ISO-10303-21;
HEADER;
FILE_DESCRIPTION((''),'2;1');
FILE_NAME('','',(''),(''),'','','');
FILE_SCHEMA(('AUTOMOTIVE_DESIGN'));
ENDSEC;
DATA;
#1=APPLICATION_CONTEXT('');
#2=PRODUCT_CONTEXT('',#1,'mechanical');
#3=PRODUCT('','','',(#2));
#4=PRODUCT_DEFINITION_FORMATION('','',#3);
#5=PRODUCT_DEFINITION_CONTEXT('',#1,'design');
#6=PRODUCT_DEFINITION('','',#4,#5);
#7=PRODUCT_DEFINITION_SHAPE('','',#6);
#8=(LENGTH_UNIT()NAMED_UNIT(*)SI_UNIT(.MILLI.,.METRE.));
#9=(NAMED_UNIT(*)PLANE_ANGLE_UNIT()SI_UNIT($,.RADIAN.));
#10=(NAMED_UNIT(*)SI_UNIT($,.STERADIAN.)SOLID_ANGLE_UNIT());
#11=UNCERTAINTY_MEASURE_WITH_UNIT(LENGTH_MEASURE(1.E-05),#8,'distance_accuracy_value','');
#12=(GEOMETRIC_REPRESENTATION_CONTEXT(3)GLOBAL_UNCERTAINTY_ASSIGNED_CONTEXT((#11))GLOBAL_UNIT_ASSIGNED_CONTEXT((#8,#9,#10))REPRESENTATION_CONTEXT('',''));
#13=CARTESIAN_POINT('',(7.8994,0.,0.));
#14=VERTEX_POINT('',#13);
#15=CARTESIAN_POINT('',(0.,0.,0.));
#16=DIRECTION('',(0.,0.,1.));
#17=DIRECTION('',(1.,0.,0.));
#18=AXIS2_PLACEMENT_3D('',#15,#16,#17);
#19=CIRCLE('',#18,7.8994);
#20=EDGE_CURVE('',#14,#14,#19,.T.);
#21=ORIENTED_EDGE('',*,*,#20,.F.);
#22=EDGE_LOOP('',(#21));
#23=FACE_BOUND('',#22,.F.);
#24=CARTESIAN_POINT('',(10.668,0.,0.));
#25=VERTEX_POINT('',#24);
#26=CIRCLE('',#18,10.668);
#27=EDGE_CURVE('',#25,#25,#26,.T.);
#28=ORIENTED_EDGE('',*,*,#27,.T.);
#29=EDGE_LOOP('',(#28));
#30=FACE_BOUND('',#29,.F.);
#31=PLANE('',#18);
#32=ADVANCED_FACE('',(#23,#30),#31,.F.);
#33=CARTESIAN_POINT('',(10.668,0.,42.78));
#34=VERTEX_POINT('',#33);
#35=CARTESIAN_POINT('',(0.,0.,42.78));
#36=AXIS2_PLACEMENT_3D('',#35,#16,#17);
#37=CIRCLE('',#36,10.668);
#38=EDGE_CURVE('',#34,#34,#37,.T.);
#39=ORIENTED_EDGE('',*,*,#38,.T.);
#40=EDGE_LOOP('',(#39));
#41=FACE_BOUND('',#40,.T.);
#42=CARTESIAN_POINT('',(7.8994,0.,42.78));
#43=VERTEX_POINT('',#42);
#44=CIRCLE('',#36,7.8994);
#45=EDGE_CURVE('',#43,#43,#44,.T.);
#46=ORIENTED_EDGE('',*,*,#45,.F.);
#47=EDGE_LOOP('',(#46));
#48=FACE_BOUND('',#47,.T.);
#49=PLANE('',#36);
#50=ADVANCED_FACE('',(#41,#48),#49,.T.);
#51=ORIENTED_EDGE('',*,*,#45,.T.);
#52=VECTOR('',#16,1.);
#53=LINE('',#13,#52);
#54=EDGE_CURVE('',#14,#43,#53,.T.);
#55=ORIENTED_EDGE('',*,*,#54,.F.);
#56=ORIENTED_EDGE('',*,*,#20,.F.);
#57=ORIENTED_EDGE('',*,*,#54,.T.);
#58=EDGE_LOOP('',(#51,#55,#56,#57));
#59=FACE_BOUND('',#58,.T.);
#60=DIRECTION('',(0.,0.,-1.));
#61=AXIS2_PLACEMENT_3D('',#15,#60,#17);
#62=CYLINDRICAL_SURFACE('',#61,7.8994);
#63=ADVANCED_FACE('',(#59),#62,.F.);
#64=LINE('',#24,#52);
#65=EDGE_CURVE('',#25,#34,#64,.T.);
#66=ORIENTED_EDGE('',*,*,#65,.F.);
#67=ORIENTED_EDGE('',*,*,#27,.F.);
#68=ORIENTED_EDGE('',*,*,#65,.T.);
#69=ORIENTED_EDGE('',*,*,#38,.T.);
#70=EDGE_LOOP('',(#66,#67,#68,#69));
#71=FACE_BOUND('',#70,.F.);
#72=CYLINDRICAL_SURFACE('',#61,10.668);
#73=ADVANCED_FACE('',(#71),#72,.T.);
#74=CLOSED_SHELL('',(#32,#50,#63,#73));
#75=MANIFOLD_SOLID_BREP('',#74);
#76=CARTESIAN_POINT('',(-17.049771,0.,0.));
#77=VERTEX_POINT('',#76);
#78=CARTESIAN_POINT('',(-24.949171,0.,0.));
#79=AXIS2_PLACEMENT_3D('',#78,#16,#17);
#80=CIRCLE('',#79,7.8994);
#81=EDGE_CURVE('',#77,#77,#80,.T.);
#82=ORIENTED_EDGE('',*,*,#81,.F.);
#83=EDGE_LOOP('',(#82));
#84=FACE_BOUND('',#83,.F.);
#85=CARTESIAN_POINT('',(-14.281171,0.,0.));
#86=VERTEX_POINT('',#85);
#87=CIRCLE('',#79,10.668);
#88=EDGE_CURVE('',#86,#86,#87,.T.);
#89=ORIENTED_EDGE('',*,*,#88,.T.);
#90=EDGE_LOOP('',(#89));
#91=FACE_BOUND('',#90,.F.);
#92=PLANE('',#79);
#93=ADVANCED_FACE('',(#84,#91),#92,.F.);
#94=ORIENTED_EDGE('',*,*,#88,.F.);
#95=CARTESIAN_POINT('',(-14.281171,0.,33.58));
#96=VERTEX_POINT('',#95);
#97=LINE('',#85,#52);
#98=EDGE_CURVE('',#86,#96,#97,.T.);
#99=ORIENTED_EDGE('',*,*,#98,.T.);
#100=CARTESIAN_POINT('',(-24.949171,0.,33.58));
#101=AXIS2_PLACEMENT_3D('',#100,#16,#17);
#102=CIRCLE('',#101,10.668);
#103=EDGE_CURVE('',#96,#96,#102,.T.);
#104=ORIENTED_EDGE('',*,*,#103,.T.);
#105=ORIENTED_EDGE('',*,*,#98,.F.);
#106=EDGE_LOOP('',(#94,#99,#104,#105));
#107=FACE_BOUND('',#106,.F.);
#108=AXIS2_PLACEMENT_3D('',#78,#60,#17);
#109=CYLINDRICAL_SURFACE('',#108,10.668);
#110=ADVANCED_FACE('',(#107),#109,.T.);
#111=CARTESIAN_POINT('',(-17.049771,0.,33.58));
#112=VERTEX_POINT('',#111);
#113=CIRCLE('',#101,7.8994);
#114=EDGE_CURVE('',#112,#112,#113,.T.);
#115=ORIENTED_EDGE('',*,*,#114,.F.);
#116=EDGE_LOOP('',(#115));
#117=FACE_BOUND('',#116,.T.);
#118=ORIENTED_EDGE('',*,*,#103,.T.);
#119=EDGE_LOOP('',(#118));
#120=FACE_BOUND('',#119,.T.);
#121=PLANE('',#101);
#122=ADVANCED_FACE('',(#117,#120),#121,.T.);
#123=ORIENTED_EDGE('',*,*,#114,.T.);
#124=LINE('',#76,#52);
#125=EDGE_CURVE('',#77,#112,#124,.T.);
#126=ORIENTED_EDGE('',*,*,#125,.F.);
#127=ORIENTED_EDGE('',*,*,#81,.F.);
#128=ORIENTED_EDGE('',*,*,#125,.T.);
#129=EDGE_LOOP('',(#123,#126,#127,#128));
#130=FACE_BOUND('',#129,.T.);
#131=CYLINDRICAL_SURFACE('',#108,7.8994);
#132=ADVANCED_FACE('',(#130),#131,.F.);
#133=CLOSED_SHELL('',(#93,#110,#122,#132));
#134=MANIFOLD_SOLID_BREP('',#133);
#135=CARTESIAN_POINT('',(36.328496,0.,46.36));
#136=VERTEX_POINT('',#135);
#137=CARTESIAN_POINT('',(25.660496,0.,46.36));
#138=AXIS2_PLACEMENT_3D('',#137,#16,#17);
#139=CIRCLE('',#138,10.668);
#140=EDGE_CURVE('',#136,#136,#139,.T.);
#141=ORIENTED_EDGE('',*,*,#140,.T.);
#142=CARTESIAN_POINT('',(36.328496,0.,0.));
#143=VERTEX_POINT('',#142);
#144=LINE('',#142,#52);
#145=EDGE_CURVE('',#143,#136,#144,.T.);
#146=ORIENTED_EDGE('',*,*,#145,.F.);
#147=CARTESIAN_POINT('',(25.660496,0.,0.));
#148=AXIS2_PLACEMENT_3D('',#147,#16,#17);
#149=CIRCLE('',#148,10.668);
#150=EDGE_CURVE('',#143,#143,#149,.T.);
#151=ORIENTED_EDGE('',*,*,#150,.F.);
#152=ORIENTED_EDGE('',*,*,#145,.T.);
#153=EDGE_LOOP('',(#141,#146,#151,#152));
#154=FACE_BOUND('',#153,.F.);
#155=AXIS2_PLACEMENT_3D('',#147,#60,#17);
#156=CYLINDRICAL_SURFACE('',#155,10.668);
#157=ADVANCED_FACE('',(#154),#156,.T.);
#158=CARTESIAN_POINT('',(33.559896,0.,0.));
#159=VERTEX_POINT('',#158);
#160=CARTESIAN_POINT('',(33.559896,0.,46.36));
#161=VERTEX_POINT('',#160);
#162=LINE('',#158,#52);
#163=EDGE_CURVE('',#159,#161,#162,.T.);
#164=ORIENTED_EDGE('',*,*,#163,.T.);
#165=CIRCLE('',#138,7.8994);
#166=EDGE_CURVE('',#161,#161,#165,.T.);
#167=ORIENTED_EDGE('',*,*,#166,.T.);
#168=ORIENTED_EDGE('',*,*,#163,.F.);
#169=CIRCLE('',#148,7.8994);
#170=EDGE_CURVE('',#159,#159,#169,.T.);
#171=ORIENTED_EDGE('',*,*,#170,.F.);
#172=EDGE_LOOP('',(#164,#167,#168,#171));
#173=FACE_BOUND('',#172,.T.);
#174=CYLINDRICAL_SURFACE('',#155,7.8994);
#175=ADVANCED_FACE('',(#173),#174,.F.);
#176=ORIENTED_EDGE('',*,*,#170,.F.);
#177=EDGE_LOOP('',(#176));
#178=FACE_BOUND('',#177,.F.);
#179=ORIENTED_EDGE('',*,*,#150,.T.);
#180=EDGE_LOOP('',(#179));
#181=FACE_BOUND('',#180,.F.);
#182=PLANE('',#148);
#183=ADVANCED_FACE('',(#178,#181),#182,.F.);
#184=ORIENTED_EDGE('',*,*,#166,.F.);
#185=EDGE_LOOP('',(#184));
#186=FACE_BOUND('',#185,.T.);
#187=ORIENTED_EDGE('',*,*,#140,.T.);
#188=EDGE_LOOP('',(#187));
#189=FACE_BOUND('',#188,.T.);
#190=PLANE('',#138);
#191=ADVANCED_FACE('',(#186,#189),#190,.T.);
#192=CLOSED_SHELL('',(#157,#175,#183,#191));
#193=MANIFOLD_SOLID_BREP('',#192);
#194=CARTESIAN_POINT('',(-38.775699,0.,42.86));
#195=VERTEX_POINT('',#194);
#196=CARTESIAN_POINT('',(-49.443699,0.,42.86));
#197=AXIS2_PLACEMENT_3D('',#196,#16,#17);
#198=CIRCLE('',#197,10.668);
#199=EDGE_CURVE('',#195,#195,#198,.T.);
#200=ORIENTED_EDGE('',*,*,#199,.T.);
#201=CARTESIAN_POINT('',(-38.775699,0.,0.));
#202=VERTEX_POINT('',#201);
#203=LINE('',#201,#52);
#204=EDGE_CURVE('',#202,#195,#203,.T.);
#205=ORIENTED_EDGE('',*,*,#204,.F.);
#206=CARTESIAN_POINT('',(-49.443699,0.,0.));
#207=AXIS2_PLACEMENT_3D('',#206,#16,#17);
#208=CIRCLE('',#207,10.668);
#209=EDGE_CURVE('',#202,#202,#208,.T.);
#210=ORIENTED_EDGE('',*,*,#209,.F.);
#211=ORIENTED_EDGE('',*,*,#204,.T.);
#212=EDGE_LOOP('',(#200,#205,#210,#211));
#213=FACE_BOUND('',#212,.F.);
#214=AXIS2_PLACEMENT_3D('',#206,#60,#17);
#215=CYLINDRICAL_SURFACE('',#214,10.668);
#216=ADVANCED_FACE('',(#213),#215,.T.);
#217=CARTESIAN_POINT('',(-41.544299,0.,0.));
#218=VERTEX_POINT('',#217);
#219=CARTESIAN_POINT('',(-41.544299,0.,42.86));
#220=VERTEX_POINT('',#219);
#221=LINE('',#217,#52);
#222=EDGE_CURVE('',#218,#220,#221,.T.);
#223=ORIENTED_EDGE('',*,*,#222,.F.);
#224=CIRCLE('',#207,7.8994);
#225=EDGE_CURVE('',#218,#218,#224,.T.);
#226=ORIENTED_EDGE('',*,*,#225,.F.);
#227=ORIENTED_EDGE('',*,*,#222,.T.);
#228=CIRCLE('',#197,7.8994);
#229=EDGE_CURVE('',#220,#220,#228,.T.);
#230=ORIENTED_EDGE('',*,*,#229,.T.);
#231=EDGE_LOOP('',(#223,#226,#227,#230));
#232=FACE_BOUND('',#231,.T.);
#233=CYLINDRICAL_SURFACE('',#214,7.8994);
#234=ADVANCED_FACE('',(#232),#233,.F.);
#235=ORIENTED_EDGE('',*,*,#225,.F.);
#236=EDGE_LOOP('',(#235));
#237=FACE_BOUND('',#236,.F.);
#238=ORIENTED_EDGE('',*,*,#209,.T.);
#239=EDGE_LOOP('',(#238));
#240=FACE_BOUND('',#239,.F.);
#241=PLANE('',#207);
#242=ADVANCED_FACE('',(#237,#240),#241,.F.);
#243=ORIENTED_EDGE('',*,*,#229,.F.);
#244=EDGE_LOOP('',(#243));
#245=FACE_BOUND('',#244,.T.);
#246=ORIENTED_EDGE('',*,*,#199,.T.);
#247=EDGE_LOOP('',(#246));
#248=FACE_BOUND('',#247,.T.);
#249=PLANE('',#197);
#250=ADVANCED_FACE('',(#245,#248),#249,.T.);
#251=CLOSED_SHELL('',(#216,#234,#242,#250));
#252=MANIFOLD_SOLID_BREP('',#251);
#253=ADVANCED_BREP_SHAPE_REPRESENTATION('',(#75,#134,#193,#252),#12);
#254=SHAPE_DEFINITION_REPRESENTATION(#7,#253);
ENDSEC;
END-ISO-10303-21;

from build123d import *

# Parameters (mm, degrees)
F0_R     = 10.668
F0_R_2   = 7.8994
F1_DEPTH = 42.78
F2_R     = 10.668
F2_R_2   = 7.8994
F3_DEPTH = 33.58
F4_R     = 10.668
F4_R_2   = 7.8994
F5_DEPTH = 42.86
F6_R     = 10.668
F6_R_2   = 7.8994
F7_DEPTH = 46.36


with BuildPart() as f1:
    # F0 (on Top) → F1 (new body)
    with BuildSketch(Plane.XY):
        Circle(F0_R)
        Circle(F0_R_2, mode=Mode.SUBTRACT)
    extrude(amount=F1_DEPTH)


with BuildPart() as f3:
    # F2 (on Top) → F3 (new body)
    with BuildSketch(Plane.XY):
        with Locations((-24.949171, 0)):
            Circle(F2_R)
        with Locations((-24.949171, 0)):
            Circle(F2_R_2, mode=Mode.SUBTRACT)
    extrude(amount=F3_DEPTH)


with BuildPart() as f5:
    # F4 (on Top) → F5 (new body)
    with BuildSketch(Plane.XY):
        with Locations((-49.443699, 0)):
            Circle(F4_R)
        with Locations((-49.443699, 0)):
            Circle(F4_R_2, mode=Mode.SUBTRACT)
    extrude(amount=F5_DEPTH)


with BuildPart() as f7:
    # F6 (on Top) → F7 (new body)
    with BuildSketch(Plane.XY):
        with Locations((25.660496, 0)):
            Circle(F6_R)
        with Locations((25.660496, 0)):
            Circle(F6_R_2, mode=Mode.SUBTRACT)
    extrude(amount=F7_DEPTH)


solid = Compound([f1.part, f3.part, f5.part, f7.part])
